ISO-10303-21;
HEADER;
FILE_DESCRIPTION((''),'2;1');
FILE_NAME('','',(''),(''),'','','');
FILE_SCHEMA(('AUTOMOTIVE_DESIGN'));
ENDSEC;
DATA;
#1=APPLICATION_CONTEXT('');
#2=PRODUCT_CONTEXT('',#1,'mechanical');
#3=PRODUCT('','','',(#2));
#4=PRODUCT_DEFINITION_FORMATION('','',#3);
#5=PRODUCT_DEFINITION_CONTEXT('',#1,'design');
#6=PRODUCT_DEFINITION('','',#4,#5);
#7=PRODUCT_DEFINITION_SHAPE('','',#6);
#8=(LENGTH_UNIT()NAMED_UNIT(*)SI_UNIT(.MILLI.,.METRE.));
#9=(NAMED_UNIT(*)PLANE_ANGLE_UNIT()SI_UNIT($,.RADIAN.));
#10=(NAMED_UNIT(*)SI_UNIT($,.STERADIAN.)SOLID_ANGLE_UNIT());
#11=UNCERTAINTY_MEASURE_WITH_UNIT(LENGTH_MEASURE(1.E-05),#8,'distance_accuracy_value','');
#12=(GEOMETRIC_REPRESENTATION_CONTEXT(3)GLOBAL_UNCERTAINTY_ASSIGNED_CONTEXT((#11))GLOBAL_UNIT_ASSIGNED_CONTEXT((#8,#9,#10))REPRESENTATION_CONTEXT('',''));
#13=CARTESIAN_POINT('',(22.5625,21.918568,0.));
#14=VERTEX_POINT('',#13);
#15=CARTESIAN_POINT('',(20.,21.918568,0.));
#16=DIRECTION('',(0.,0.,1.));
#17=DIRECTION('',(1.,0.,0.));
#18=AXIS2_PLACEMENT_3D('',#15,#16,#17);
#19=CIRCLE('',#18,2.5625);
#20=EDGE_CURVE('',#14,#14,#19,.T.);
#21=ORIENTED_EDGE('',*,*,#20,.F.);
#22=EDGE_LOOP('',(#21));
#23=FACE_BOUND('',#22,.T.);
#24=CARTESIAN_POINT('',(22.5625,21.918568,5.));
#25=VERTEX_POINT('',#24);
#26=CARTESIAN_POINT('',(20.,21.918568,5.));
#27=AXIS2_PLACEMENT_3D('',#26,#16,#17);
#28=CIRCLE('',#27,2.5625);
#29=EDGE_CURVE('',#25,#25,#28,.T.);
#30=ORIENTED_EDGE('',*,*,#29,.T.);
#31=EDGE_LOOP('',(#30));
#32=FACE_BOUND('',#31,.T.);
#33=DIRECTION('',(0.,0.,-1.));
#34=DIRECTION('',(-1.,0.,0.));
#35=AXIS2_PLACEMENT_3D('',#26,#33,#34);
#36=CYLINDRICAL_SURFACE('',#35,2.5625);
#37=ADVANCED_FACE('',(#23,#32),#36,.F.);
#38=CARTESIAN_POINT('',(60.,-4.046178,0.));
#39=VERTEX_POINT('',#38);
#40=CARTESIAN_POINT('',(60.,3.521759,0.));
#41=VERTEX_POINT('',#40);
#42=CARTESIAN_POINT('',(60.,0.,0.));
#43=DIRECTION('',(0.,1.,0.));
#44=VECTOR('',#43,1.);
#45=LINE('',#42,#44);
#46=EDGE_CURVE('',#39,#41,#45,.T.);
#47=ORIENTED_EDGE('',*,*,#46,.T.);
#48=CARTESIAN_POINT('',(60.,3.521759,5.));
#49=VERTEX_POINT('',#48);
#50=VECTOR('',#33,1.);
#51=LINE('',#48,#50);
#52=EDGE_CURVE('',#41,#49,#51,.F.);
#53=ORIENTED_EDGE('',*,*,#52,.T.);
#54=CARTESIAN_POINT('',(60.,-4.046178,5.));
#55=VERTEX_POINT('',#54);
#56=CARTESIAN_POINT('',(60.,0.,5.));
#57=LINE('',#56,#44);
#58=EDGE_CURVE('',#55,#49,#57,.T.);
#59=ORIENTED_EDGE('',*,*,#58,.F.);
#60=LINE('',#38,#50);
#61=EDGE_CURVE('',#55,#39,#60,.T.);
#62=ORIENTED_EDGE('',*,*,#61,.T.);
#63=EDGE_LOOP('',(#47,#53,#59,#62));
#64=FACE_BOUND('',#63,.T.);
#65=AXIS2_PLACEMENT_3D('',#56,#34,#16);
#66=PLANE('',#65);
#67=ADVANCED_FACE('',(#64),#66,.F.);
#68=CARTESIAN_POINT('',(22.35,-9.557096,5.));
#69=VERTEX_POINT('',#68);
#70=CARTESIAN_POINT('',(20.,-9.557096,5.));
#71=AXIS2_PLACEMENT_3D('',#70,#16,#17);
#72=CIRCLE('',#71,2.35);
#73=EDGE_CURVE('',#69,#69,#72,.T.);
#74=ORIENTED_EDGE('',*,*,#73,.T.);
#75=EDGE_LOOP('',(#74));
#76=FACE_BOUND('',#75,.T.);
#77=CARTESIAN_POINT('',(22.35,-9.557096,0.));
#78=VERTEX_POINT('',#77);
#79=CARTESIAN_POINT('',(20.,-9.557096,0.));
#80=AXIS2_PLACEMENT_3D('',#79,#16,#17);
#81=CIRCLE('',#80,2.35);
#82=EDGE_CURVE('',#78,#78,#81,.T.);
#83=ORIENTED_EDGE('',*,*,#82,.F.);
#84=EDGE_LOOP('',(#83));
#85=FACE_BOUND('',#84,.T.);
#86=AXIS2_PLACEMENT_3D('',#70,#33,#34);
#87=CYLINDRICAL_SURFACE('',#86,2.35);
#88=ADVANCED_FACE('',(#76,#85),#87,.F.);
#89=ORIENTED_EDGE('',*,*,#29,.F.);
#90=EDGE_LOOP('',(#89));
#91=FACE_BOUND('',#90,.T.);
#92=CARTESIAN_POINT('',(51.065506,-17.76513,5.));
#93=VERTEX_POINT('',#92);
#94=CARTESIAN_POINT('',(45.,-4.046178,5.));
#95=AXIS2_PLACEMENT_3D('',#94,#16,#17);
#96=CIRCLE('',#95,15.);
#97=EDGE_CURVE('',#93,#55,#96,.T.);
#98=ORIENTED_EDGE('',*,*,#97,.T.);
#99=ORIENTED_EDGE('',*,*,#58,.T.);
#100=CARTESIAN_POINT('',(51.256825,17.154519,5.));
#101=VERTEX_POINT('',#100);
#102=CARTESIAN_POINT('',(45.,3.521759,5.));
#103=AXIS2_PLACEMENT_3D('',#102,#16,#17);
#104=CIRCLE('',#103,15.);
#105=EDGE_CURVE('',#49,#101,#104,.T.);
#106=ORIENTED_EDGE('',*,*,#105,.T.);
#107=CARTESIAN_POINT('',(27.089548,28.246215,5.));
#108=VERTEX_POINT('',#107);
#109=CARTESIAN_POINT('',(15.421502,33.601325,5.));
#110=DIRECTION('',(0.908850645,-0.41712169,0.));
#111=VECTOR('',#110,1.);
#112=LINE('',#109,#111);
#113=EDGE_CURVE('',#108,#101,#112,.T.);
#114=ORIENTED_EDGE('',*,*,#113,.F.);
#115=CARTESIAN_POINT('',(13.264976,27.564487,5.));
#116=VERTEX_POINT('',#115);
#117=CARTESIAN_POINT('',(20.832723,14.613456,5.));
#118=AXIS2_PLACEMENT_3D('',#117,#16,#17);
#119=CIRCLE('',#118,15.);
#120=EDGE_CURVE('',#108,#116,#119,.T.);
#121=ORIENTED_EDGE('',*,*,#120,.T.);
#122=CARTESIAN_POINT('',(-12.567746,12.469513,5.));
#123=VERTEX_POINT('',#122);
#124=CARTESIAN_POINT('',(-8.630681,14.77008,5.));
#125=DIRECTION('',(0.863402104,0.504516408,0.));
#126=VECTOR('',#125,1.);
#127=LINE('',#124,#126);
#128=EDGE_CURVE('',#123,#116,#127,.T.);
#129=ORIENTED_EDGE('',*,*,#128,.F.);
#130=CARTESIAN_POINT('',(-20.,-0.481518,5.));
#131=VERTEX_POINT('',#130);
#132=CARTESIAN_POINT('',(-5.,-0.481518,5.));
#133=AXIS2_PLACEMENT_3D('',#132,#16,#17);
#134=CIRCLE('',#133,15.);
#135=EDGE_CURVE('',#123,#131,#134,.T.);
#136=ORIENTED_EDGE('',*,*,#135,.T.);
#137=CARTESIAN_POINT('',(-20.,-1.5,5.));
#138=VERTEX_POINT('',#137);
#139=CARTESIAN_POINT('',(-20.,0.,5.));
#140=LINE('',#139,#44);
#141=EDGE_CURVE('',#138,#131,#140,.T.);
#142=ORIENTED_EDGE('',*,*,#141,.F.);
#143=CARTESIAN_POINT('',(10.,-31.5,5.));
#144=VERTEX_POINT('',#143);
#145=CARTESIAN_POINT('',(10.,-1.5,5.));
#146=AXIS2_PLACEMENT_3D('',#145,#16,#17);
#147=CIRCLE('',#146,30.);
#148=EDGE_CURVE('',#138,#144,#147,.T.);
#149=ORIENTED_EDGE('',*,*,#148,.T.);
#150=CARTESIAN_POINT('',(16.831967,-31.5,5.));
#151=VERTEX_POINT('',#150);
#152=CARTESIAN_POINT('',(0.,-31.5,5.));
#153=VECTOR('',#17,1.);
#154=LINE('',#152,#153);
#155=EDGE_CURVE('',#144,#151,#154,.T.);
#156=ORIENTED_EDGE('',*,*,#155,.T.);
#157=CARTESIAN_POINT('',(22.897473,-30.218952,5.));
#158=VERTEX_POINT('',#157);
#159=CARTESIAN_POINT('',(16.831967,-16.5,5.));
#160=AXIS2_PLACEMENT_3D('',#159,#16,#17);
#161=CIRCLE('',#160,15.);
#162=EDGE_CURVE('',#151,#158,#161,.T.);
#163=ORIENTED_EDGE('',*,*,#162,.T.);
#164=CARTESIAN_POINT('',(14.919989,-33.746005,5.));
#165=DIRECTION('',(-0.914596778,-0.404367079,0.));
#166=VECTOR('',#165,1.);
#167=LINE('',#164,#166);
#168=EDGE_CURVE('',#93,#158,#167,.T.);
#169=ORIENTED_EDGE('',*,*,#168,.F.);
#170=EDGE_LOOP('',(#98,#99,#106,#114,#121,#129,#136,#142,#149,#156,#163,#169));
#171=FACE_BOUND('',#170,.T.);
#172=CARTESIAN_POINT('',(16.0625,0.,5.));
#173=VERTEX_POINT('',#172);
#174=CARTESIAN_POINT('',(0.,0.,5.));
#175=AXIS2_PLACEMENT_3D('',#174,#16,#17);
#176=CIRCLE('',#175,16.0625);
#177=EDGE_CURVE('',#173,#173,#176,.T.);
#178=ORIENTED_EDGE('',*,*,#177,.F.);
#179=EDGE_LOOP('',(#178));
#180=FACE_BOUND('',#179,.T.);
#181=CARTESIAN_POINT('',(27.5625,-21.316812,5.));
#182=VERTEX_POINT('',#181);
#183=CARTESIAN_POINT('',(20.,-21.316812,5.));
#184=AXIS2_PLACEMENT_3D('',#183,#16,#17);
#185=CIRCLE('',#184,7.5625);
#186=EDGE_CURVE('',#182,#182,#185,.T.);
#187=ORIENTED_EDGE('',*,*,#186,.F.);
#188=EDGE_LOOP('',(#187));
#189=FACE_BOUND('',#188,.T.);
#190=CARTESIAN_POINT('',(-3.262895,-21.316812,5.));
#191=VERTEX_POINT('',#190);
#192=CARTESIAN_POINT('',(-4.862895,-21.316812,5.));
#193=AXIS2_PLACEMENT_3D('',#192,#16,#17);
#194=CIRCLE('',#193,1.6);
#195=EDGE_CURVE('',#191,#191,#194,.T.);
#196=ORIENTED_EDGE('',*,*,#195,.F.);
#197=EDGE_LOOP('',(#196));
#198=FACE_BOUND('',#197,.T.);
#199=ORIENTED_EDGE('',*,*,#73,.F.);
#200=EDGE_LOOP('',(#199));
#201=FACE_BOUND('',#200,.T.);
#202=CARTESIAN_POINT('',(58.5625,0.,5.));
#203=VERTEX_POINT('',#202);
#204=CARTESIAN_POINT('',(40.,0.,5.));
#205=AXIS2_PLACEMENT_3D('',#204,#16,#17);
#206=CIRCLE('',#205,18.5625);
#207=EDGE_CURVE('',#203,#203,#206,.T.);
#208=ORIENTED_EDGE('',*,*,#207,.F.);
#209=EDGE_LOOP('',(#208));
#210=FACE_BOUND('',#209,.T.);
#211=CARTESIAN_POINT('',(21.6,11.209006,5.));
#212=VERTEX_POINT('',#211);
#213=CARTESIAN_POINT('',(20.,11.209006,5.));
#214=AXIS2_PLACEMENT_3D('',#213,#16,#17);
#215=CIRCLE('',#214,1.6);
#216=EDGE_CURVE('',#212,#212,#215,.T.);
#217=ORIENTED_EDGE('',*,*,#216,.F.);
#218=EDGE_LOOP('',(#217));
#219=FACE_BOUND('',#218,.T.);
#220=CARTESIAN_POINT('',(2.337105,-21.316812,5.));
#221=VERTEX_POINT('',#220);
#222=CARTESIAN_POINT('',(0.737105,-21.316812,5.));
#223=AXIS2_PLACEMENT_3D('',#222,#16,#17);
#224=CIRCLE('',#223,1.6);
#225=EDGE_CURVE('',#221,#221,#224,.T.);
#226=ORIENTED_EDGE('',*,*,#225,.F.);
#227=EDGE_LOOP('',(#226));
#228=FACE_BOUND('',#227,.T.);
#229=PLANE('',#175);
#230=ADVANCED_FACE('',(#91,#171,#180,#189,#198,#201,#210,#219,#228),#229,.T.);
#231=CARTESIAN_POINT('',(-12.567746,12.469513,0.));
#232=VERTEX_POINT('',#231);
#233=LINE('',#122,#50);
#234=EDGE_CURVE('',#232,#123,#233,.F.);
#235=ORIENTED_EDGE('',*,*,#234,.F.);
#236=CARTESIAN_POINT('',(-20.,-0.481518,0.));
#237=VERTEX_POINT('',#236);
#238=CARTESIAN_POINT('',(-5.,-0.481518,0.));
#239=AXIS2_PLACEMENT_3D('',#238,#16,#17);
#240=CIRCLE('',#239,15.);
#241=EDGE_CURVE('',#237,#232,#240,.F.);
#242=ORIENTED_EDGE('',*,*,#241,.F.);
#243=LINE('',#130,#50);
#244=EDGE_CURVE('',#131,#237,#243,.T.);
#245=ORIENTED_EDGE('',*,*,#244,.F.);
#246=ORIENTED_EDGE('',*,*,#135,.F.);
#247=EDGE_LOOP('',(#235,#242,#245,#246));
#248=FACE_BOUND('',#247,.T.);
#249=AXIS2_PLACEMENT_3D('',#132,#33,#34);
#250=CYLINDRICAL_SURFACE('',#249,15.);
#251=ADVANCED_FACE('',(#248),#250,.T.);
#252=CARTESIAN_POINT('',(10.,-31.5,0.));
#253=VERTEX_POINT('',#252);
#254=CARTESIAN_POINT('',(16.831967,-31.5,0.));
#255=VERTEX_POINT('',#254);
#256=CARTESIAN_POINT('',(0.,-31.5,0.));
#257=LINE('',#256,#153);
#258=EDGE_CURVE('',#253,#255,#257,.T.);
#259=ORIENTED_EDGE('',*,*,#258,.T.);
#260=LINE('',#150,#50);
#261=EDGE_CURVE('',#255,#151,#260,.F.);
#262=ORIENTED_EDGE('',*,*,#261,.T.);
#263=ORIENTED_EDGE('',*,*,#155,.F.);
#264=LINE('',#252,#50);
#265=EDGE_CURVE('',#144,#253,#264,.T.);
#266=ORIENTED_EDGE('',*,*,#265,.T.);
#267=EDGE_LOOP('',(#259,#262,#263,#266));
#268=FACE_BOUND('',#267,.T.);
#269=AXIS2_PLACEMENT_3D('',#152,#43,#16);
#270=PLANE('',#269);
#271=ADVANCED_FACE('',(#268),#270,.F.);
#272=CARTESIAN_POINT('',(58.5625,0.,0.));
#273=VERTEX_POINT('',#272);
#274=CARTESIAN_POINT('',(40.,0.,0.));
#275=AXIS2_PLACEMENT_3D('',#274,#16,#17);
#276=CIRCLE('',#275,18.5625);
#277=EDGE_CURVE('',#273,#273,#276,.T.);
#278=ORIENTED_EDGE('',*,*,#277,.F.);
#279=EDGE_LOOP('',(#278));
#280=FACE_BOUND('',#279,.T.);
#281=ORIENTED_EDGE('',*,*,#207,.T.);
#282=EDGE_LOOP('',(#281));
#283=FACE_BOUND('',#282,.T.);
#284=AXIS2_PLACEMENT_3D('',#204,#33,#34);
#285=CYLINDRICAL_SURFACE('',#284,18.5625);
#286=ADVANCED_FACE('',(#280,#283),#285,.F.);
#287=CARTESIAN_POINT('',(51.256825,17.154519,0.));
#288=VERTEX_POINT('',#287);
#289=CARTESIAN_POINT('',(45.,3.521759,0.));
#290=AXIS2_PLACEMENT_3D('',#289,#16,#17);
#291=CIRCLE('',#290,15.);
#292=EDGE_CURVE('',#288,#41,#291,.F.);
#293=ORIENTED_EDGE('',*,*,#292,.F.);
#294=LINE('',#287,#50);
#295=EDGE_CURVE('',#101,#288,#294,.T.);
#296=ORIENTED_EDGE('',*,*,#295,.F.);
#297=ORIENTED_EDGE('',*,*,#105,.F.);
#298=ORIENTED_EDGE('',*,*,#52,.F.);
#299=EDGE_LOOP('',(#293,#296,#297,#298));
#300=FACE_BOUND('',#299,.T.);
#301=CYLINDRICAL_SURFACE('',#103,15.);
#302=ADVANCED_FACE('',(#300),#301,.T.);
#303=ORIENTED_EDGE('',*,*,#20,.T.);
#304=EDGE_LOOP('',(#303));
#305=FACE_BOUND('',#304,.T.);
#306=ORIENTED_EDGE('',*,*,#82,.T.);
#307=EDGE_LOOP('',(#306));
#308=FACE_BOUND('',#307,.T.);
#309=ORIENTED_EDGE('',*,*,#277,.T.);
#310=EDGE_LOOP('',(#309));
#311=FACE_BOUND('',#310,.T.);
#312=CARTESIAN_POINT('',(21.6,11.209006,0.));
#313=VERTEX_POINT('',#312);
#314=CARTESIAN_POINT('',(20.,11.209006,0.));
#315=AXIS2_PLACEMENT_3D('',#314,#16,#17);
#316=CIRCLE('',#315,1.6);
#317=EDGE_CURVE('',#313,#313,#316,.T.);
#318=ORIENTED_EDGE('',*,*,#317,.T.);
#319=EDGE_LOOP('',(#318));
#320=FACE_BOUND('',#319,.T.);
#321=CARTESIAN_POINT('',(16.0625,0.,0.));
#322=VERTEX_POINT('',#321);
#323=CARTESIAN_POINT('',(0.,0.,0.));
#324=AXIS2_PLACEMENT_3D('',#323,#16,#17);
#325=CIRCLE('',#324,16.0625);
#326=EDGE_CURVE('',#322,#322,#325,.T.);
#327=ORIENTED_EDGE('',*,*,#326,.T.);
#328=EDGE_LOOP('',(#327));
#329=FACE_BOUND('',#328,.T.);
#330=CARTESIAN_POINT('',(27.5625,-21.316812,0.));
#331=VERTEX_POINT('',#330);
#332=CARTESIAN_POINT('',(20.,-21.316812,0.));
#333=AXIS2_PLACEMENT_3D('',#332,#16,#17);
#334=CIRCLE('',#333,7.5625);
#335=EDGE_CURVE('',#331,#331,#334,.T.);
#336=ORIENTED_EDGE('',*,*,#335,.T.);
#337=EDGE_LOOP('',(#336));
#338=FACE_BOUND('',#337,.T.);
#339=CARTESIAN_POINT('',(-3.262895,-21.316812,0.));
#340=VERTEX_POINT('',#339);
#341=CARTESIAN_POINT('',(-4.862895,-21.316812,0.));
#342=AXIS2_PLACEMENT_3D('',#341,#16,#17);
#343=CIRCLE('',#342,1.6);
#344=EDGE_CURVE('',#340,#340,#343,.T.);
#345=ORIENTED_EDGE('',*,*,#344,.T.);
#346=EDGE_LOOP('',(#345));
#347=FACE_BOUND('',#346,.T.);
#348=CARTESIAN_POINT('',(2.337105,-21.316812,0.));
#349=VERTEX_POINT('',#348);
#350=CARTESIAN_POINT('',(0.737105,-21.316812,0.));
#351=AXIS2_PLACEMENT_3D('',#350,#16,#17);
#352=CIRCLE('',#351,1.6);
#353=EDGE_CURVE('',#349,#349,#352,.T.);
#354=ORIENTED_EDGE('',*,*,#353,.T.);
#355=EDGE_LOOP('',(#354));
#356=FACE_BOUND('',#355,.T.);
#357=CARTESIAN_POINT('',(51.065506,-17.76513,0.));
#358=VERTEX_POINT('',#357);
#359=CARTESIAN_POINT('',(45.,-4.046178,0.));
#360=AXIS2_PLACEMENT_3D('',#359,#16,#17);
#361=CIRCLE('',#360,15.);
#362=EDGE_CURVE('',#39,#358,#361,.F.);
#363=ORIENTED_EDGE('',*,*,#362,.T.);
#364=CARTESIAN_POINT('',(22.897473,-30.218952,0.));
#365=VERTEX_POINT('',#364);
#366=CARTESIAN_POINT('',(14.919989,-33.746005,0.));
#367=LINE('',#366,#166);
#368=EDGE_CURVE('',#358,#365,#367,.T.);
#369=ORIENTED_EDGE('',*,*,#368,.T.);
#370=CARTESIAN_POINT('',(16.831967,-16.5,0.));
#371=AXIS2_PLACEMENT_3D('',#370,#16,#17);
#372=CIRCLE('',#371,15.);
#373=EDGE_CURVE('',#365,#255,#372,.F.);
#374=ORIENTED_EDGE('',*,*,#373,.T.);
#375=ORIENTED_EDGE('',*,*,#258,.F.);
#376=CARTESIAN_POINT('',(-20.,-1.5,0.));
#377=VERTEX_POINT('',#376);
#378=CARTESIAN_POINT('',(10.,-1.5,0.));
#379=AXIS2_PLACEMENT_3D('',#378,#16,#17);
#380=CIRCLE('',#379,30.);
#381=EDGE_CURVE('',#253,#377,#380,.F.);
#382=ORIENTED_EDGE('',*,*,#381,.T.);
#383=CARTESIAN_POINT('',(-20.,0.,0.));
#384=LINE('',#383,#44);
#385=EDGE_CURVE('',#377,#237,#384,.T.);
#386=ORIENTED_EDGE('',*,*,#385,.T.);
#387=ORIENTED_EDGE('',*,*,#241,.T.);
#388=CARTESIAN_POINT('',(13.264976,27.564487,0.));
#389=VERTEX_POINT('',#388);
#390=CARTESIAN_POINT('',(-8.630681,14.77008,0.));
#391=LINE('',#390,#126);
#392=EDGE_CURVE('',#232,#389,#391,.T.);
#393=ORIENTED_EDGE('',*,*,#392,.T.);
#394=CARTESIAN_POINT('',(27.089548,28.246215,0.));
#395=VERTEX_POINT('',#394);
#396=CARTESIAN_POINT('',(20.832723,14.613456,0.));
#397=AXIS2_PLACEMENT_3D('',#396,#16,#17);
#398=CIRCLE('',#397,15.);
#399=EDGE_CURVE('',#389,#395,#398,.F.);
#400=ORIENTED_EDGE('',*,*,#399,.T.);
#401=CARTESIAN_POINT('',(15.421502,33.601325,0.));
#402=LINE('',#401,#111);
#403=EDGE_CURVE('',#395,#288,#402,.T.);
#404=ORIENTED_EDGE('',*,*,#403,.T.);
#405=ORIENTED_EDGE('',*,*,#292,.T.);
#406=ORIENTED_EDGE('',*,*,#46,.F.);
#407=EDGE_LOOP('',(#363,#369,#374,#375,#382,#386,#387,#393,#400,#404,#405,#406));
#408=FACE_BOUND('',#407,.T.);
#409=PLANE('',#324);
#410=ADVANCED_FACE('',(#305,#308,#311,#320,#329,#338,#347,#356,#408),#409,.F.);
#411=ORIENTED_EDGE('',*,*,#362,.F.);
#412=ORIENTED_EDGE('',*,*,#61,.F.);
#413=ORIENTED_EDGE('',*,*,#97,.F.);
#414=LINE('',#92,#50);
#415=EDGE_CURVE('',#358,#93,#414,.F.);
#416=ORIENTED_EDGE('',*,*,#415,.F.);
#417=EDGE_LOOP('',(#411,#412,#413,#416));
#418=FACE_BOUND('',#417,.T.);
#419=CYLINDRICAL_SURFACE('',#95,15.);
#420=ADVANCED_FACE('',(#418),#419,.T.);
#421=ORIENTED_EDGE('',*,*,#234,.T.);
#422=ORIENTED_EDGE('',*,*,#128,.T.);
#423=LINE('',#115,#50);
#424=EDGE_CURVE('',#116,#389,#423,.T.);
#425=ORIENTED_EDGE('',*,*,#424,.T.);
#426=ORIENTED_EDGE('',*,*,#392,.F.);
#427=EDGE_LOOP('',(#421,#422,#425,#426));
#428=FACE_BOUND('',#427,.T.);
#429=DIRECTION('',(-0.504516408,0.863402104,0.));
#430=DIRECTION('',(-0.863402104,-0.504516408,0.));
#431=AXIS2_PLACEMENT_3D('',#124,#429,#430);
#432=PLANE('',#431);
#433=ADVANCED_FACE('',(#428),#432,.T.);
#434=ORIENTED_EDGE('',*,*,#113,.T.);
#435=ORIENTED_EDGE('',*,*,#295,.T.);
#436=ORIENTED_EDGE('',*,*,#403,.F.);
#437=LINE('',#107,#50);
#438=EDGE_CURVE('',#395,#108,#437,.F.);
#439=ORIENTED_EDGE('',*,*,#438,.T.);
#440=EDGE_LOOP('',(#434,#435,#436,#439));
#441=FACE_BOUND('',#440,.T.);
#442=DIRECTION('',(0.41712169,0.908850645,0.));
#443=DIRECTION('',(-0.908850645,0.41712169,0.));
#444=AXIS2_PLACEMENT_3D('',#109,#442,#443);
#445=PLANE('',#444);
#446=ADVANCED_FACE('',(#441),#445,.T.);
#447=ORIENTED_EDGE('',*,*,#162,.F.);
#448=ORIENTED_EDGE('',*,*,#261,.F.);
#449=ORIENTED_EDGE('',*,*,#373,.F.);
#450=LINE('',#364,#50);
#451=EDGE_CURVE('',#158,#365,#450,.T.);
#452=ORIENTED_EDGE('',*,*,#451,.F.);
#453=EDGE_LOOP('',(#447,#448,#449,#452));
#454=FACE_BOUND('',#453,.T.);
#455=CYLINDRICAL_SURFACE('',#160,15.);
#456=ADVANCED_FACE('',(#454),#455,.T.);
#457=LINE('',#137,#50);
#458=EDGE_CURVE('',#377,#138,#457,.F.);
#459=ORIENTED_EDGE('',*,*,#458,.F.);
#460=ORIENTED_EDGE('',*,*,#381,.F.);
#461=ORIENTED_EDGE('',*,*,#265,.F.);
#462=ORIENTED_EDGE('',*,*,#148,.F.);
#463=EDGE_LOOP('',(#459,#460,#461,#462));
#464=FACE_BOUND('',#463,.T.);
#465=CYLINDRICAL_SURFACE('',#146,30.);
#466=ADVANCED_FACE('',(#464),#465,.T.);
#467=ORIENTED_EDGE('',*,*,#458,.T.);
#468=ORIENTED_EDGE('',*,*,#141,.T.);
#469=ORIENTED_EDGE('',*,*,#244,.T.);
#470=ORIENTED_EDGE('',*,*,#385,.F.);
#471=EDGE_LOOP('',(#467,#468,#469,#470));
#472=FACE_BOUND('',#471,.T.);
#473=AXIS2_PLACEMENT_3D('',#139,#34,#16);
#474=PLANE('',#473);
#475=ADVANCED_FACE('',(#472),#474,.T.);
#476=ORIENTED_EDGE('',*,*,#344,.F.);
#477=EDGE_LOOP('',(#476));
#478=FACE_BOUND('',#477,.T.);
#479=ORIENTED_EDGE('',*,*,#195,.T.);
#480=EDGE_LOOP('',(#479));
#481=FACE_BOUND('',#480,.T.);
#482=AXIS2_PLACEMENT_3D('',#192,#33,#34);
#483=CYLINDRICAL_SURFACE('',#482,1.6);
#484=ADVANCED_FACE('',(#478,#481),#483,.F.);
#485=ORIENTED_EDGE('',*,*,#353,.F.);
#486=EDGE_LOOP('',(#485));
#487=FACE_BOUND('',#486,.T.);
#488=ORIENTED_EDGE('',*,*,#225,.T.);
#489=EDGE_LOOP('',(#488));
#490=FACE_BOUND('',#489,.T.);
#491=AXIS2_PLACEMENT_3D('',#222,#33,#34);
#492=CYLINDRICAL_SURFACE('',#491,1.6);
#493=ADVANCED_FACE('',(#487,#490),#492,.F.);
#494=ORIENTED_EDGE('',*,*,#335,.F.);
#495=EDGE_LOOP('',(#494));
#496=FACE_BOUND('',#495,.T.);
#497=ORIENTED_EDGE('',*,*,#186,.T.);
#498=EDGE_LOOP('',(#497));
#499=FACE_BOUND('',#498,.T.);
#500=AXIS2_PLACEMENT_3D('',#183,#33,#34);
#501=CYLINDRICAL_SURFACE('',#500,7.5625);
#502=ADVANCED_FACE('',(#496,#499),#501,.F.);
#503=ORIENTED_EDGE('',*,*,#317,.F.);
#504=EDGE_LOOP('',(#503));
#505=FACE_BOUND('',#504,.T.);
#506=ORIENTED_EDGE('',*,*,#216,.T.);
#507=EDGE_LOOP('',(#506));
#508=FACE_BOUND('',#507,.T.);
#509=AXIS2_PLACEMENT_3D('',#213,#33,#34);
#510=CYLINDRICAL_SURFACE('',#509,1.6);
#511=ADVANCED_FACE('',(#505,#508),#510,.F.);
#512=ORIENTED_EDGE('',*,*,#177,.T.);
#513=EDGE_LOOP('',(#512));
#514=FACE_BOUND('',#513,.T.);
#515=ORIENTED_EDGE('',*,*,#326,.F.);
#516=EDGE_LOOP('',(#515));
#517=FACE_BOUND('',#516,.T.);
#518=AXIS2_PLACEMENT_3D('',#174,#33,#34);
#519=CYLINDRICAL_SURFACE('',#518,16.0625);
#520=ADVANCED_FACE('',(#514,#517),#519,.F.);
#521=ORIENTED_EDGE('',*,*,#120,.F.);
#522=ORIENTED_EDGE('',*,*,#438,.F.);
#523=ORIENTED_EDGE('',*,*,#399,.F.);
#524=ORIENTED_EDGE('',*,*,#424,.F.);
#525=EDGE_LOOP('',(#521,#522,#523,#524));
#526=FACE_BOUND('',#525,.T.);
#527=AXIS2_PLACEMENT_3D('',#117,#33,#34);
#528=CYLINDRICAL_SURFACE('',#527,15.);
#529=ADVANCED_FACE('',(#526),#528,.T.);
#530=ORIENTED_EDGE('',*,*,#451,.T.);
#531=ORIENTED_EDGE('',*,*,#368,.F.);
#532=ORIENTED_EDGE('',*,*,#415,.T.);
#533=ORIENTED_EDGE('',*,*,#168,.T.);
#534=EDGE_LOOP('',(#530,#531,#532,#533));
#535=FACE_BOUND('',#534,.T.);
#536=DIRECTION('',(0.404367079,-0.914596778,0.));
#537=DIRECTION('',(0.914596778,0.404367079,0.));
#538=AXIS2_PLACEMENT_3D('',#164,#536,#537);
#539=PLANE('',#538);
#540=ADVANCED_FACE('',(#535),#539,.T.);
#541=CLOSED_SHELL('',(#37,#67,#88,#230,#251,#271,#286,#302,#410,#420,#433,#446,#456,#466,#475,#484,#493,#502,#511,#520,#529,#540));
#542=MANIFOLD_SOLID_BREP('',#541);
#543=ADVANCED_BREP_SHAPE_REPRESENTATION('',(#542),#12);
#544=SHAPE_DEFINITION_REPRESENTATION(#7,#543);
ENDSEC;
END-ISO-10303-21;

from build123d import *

# Parameters (mm, degrees)
SKETCH1_R           = 16.0625
SKETCH1_R_2         = 18.5625
SKETCH1_R_3         = 1.6
SKETCH1_R_4         = 2.35
SKETCH1_R_5         = 2.5625
SKETCH1_R_6         = 7.5625
BOSS_EXTRUDE1_DEPTH = 5
FILLET1_R           = 15
FILLET2_R           = 30


with BuildPart() as part:
    # Sketch1 → Boss-Extrude1 (new body)
    with BuildSketch(Plane.XY):
        Polygon((-20, -31.5), (20, -31.5), (60, -13.814957213), (60, 13.141793742), (20, 31.5), (-20, 8.126584262), align=None)
        Circle(SKETCH1_R, mode=Mode.SUBTRACT)
        with Locations((40, 0)):
            Circle(SKETCH1_R_2, mode=Mode.SUBTRACT)
        with Locations((20, 11.209005776)):
            Circle(SKETCH1_R_3, mode=Mode.SUBTRACT)
        with Locations((20, -9.557095977)):
            Circle(SKETCH1_R_4, mode=Mode.SUBTRACT)
        with Locations((20, 21.918567686)):
            Circle(SKETCH1_R_5, mode=Mode.SUBTRACT)
        with Locations((20, -21.316811866)):
            Circle(SKETCH1_R_6, mode=Mode.SUBTRACT)
        with Locations((0.737105173, -21.316811866)):
            Circle(SKETCH1_R_3, mode=Mode.SUBTRACT)
        with Locations((-4.862894827, -21.316811866)):
            Circle(SKETCH1_R_3, mode=Mode.SUBTRACT)
    extrude(amount=BOSS_EXTRUDE1_DEPTH)

    # Fillet1
    fillet1_edges = [part.edges().sort_by_distance(p)[0] for p in [
        (20, -31.5, 2.5),
        (-20, 8.126584262, 2.5),
        (20, 31.5, 2.5),
        (60, 13.141793742, 2.5),
        (60, -13.814957213, 2.5),
    ]]
    fillet(fillet1_edges, radius=FILLET1_R)

    # Fillet2
    fillet2_edges = [part.edges().sort_by_distance(p)[0] for p in [
        (-20, -31.5, 2.5),
    ]]
    fillet(fillet2_edges, radius=FILLET2_R)


solid = part.part
